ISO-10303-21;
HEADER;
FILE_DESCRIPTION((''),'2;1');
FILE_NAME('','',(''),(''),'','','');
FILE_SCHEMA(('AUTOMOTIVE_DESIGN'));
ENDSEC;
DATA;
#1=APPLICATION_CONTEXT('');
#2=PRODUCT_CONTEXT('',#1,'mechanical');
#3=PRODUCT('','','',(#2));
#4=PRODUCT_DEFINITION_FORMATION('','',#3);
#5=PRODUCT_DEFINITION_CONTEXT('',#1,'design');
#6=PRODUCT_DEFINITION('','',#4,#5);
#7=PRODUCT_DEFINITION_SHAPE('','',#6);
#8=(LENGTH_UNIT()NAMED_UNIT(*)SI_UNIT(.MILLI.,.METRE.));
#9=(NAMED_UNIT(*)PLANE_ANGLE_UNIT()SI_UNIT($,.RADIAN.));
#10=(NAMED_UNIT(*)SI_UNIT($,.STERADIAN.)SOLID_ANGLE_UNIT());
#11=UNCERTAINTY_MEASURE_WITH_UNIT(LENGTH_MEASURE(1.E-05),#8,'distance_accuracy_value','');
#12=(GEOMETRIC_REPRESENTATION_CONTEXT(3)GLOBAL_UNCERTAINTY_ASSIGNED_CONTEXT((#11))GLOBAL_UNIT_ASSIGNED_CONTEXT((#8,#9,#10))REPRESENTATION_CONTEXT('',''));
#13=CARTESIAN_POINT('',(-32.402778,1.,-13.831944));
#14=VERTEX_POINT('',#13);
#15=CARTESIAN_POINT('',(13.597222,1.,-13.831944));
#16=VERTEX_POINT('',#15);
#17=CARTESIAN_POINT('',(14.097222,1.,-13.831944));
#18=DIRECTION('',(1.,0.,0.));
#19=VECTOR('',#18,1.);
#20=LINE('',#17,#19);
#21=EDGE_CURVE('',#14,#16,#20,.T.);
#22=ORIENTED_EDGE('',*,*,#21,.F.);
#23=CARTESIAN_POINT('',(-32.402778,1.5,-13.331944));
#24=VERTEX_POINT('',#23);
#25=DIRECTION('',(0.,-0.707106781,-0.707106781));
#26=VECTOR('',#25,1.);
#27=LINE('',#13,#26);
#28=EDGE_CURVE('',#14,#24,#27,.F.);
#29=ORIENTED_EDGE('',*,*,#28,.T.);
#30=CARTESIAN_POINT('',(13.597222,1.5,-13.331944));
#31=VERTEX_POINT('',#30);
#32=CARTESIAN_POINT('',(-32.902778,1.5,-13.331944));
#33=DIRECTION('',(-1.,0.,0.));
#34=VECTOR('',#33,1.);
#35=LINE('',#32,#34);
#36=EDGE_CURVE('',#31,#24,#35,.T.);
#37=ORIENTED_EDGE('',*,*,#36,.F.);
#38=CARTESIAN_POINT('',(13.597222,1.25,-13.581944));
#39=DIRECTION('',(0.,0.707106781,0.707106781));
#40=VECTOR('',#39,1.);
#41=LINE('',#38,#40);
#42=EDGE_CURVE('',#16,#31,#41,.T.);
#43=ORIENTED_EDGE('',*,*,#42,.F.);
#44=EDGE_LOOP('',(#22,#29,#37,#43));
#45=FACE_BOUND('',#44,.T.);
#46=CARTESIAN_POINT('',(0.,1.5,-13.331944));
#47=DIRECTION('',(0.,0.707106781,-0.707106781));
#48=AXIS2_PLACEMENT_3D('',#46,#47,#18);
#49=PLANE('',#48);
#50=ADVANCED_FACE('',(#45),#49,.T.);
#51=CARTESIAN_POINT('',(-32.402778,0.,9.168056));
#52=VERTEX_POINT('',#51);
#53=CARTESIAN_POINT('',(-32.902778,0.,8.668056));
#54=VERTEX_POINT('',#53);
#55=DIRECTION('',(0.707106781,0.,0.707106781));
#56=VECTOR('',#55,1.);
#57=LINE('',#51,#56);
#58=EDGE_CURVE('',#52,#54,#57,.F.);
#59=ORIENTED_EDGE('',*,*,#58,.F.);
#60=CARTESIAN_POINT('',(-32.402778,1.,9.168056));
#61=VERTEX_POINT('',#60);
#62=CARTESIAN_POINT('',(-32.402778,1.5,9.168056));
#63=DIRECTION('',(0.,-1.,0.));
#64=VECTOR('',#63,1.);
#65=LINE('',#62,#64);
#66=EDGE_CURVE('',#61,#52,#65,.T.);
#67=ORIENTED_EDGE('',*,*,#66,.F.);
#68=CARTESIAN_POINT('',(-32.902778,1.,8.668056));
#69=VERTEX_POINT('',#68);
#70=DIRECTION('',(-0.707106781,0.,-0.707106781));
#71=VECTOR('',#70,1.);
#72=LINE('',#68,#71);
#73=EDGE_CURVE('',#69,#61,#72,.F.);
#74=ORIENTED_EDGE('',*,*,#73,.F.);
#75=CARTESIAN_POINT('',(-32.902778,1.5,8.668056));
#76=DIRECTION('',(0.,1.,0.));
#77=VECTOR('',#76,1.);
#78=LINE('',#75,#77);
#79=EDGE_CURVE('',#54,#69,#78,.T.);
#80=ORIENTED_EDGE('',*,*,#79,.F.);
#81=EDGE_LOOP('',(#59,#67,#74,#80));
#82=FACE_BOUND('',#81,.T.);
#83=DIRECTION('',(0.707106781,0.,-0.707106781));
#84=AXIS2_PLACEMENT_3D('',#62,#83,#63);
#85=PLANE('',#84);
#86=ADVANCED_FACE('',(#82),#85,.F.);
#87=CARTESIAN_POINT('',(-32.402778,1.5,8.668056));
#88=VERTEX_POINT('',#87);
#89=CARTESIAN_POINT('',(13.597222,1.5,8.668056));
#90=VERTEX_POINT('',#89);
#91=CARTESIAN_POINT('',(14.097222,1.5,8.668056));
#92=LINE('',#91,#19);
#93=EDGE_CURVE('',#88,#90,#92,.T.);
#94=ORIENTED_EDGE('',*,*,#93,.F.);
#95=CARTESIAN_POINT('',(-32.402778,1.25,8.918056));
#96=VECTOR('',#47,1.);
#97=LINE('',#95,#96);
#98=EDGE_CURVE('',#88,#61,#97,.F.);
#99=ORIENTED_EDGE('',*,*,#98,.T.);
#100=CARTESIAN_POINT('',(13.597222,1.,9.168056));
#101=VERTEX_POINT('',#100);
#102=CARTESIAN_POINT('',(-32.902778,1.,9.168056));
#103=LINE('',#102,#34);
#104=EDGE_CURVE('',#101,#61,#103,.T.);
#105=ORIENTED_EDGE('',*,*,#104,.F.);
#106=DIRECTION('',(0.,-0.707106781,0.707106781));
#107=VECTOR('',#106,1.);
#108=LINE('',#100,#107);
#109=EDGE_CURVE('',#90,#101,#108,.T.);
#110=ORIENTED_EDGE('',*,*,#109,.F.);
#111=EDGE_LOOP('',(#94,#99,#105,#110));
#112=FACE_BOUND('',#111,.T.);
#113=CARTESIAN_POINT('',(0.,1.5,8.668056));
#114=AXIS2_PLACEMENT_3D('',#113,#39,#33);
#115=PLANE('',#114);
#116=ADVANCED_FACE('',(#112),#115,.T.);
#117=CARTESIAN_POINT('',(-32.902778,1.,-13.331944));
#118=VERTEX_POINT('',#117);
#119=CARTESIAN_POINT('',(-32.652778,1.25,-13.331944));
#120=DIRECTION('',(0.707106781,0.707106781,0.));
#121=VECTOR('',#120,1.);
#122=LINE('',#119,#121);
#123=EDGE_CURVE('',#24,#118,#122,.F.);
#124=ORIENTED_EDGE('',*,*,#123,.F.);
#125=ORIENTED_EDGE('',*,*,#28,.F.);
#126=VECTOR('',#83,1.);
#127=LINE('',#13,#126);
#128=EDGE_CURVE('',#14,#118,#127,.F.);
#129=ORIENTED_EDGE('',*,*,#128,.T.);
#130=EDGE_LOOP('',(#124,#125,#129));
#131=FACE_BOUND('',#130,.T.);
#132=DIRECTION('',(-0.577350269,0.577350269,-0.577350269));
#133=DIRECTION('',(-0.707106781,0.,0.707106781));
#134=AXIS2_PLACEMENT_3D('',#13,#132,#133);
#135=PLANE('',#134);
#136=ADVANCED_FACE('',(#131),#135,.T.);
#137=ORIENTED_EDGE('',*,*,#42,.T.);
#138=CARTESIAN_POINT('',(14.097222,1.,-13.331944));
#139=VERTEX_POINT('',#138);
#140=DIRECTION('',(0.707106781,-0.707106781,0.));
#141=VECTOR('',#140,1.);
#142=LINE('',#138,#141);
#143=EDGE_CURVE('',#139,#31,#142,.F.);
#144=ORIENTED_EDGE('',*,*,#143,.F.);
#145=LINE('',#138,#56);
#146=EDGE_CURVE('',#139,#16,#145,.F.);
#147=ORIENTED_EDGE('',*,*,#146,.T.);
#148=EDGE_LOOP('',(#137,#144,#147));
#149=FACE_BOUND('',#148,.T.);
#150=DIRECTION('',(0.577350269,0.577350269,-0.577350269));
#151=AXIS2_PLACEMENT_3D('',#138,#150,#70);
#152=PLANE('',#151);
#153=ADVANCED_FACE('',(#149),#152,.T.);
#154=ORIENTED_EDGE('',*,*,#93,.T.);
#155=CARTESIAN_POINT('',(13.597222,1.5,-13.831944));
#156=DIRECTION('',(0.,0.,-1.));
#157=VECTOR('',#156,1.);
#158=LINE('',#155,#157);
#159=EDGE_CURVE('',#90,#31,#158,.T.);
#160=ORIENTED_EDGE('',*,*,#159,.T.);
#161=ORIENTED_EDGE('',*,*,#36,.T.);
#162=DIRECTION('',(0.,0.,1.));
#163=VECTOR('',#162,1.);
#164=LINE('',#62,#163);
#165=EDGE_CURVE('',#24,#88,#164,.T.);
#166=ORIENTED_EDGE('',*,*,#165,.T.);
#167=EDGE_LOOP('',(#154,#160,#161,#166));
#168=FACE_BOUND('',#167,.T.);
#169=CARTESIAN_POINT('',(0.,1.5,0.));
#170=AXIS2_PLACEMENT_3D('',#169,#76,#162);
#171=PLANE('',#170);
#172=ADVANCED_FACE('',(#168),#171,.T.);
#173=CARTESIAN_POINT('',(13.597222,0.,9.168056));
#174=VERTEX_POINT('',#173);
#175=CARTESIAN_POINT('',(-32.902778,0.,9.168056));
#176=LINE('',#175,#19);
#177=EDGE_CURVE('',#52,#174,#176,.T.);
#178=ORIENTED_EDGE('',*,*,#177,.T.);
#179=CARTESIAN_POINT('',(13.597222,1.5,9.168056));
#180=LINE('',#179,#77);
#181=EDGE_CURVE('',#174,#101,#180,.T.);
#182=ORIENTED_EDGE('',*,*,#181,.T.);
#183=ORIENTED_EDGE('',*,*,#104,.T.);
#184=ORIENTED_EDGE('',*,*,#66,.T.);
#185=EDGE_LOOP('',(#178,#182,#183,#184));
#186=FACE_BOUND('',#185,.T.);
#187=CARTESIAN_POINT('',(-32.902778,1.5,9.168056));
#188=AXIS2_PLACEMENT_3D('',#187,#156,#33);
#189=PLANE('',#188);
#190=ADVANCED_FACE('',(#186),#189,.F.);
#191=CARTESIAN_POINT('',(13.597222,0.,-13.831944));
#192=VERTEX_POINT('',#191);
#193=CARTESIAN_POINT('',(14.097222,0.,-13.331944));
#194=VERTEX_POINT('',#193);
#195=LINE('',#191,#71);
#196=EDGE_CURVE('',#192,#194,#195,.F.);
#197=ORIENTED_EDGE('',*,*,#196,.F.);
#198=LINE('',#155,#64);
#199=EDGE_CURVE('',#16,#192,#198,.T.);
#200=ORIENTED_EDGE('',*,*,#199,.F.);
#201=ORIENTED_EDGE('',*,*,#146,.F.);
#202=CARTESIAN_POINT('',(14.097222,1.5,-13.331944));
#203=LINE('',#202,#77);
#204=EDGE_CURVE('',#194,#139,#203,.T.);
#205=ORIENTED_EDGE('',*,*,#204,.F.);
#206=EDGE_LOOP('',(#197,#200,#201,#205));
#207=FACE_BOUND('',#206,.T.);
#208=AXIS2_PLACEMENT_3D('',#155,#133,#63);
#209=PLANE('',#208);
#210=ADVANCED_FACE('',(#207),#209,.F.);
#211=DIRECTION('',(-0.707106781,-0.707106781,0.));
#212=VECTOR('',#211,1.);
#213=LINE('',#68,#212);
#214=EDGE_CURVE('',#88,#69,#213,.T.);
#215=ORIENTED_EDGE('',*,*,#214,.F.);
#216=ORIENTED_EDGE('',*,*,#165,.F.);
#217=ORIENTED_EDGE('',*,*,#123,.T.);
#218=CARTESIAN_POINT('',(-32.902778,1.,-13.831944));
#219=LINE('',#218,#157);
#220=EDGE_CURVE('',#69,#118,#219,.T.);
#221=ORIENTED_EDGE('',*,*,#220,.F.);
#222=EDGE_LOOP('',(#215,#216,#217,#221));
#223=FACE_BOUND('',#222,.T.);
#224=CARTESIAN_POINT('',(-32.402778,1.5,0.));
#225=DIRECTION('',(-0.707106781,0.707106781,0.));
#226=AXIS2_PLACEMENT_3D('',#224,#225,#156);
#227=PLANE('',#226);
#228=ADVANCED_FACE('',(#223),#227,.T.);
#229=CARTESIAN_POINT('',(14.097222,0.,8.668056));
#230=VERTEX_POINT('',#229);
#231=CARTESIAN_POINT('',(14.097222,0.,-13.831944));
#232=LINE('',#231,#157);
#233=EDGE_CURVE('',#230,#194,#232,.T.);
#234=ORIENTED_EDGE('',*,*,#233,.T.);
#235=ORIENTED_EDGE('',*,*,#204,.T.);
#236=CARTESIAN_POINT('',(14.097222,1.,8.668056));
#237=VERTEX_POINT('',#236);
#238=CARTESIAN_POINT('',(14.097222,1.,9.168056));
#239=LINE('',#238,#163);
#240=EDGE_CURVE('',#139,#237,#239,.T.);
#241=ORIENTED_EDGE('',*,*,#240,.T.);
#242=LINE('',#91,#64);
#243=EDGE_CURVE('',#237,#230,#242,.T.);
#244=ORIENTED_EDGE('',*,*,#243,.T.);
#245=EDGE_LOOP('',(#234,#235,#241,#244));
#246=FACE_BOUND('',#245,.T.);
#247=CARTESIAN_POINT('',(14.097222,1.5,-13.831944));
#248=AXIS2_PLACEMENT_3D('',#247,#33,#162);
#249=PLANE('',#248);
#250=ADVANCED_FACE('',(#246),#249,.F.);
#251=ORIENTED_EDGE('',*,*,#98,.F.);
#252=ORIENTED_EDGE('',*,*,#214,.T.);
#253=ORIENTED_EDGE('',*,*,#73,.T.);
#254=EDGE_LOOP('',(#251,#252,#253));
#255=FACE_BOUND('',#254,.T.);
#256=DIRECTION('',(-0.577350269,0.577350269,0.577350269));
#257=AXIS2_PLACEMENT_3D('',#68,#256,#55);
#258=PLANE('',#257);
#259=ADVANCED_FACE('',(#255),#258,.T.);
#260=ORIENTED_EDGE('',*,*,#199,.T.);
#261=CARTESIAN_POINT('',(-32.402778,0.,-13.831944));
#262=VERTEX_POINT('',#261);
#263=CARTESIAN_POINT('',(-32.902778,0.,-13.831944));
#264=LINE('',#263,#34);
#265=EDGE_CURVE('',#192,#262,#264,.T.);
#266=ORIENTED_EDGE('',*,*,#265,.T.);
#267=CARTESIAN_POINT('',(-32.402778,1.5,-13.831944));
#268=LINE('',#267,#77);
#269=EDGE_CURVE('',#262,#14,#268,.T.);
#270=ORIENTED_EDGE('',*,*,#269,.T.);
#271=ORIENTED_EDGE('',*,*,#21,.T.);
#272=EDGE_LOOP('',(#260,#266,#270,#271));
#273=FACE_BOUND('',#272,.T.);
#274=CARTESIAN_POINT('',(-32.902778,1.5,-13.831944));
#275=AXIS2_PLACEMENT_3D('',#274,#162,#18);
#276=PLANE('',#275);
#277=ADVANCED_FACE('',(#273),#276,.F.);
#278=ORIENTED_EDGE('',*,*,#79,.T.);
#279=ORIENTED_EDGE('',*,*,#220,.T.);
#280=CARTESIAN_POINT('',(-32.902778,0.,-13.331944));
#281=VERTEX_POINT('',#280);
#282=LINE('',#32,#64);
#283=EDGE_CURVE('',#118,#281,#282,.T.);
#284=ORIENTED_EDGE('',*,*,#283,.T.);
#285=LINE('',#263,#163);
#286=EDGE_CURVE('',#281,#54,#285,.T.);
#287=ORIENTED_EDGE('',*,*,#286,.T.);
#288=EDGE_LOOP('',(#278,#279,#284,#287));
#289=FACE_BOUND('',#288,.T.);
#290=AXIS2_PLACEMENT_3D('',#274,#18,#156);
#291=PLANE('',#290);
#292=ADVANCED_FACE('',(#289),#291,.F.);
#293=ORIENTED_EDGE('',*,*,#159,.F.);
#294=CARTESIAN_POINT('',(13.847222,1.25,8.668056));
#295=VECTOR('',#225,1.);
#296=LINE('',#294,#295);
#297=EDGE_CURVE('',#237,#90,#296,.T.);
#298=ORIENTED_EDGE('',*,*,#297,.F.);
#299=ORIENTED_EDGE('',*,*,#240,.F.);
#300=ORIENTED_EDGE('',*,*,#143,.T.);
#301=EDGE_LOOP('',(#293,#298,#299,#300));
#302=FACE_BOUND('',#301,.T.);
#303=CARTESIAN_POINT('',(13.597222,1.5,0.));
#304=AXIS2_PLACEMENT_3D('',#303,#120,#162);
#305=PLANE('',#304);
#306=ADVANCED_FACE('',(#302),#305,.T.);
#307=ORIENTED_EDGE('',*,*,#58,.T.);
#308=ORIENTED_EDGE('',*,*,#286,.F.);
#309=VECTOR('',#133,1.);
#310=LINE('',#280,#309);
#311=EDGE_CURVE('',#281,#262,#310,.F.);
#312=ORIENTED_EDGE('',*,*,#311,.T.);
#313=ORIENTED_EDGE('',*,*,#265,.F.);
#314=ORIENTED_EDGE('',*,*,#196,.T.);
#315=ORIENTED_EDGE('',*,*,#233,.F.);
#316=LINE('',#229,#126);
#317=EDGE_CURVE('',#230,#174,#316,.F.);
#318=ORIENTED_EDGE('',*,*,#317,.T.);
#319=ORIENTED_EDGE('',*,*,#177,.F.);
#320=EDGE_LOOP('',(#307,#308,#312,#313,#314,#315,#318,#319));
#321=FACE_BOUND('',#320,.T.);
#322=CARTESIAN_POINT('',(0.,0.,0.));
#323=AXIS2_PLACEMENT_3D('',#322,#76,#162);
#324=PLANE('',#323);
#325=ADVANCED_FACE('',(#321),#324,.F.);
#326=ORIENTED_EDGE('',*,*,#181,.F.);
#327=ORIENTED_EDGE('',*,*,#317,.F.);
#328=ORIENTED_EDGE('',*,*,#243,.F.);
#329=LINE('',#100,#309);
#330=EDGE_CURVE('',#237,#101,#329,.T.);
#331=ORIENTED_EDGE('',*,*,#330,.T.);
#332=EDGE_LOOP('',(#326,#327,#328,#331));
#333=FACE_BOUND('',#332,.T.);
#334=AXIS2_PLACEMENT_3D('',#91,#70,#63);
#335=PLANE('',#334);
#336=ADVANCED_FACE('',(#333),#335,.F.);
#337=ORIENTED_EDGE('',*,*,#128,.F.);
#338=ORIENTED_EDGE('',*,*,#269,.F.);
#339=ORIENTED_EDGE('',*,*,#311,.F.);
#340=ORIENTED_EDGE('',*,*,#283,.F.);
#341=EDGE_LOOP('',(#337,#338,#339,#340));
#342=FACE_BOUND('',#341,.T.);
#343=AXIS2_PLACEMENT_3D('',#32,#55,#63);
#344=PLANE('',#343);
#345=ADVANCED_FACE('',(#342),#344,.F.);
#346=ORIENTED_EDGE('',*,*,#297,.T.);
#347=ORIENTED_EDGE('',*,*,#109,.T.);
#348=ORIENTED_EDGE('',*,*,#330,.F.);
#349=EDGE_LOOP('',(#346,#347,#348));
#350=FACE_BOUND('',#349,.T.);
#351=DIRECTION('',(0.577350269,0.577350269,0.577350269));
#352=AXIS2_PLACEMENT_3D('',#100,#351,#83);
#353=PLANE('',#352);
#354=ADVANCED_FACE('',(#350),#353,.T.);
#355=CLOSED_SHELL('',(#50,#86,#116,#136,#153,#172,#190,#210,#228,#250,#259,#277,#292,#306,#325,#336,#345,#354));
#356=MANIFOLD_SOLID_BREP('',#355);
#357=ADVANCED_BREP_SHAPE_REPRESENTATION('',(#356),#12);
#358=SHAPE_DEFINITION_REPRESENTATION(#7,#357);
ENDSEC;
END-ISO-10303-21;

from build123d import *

# Parameters (mm, degrees)
SKETCH1_W           = 47
SKETCH1_H           = 23
BOSS_EXTRUDE1_DEPTH = 1.5
CHAMFER1_SIZE       = 0.5


with BuildPart() as part:
    # Sketch1 → Boss-Extrude1 (new body)
    with BuildSketch(Plane(origin=(0, 0, 0), x_dir=(1, 0, 0), z_dir=(0, 1, 0))):
        with Locations((-9.402777778, 2.331944444)):
            Rectangle(SKETCH1_W, SKETCH1_H)
    extrude(amount=BOSS_EXTRUDE1_DEPTH)

    # Chamfer1
    chamfer1_edges = [part.edges().sort_by_distance(p)[0] for p in [
        (14.097222222, 1.5, -2.331944444),
        (-9.402777778, 1.5, -13.831944444),
        (-32.902777778, 1.5, -2.331944444),
        (-32.902777778, 0.75, -13.831944444),
        (14.097222222, 0.75, -13.831944444),
        (14.097222222, 0.75, 9.168055556),
        (-32.902777778, 0.75, 9.168055556),
        (-9.402777778, 1.5, 9.168055556),
    ]]
    chamfer(chamfer1_edges, length=CHAMFER1_SIZE)


solid = part.part
